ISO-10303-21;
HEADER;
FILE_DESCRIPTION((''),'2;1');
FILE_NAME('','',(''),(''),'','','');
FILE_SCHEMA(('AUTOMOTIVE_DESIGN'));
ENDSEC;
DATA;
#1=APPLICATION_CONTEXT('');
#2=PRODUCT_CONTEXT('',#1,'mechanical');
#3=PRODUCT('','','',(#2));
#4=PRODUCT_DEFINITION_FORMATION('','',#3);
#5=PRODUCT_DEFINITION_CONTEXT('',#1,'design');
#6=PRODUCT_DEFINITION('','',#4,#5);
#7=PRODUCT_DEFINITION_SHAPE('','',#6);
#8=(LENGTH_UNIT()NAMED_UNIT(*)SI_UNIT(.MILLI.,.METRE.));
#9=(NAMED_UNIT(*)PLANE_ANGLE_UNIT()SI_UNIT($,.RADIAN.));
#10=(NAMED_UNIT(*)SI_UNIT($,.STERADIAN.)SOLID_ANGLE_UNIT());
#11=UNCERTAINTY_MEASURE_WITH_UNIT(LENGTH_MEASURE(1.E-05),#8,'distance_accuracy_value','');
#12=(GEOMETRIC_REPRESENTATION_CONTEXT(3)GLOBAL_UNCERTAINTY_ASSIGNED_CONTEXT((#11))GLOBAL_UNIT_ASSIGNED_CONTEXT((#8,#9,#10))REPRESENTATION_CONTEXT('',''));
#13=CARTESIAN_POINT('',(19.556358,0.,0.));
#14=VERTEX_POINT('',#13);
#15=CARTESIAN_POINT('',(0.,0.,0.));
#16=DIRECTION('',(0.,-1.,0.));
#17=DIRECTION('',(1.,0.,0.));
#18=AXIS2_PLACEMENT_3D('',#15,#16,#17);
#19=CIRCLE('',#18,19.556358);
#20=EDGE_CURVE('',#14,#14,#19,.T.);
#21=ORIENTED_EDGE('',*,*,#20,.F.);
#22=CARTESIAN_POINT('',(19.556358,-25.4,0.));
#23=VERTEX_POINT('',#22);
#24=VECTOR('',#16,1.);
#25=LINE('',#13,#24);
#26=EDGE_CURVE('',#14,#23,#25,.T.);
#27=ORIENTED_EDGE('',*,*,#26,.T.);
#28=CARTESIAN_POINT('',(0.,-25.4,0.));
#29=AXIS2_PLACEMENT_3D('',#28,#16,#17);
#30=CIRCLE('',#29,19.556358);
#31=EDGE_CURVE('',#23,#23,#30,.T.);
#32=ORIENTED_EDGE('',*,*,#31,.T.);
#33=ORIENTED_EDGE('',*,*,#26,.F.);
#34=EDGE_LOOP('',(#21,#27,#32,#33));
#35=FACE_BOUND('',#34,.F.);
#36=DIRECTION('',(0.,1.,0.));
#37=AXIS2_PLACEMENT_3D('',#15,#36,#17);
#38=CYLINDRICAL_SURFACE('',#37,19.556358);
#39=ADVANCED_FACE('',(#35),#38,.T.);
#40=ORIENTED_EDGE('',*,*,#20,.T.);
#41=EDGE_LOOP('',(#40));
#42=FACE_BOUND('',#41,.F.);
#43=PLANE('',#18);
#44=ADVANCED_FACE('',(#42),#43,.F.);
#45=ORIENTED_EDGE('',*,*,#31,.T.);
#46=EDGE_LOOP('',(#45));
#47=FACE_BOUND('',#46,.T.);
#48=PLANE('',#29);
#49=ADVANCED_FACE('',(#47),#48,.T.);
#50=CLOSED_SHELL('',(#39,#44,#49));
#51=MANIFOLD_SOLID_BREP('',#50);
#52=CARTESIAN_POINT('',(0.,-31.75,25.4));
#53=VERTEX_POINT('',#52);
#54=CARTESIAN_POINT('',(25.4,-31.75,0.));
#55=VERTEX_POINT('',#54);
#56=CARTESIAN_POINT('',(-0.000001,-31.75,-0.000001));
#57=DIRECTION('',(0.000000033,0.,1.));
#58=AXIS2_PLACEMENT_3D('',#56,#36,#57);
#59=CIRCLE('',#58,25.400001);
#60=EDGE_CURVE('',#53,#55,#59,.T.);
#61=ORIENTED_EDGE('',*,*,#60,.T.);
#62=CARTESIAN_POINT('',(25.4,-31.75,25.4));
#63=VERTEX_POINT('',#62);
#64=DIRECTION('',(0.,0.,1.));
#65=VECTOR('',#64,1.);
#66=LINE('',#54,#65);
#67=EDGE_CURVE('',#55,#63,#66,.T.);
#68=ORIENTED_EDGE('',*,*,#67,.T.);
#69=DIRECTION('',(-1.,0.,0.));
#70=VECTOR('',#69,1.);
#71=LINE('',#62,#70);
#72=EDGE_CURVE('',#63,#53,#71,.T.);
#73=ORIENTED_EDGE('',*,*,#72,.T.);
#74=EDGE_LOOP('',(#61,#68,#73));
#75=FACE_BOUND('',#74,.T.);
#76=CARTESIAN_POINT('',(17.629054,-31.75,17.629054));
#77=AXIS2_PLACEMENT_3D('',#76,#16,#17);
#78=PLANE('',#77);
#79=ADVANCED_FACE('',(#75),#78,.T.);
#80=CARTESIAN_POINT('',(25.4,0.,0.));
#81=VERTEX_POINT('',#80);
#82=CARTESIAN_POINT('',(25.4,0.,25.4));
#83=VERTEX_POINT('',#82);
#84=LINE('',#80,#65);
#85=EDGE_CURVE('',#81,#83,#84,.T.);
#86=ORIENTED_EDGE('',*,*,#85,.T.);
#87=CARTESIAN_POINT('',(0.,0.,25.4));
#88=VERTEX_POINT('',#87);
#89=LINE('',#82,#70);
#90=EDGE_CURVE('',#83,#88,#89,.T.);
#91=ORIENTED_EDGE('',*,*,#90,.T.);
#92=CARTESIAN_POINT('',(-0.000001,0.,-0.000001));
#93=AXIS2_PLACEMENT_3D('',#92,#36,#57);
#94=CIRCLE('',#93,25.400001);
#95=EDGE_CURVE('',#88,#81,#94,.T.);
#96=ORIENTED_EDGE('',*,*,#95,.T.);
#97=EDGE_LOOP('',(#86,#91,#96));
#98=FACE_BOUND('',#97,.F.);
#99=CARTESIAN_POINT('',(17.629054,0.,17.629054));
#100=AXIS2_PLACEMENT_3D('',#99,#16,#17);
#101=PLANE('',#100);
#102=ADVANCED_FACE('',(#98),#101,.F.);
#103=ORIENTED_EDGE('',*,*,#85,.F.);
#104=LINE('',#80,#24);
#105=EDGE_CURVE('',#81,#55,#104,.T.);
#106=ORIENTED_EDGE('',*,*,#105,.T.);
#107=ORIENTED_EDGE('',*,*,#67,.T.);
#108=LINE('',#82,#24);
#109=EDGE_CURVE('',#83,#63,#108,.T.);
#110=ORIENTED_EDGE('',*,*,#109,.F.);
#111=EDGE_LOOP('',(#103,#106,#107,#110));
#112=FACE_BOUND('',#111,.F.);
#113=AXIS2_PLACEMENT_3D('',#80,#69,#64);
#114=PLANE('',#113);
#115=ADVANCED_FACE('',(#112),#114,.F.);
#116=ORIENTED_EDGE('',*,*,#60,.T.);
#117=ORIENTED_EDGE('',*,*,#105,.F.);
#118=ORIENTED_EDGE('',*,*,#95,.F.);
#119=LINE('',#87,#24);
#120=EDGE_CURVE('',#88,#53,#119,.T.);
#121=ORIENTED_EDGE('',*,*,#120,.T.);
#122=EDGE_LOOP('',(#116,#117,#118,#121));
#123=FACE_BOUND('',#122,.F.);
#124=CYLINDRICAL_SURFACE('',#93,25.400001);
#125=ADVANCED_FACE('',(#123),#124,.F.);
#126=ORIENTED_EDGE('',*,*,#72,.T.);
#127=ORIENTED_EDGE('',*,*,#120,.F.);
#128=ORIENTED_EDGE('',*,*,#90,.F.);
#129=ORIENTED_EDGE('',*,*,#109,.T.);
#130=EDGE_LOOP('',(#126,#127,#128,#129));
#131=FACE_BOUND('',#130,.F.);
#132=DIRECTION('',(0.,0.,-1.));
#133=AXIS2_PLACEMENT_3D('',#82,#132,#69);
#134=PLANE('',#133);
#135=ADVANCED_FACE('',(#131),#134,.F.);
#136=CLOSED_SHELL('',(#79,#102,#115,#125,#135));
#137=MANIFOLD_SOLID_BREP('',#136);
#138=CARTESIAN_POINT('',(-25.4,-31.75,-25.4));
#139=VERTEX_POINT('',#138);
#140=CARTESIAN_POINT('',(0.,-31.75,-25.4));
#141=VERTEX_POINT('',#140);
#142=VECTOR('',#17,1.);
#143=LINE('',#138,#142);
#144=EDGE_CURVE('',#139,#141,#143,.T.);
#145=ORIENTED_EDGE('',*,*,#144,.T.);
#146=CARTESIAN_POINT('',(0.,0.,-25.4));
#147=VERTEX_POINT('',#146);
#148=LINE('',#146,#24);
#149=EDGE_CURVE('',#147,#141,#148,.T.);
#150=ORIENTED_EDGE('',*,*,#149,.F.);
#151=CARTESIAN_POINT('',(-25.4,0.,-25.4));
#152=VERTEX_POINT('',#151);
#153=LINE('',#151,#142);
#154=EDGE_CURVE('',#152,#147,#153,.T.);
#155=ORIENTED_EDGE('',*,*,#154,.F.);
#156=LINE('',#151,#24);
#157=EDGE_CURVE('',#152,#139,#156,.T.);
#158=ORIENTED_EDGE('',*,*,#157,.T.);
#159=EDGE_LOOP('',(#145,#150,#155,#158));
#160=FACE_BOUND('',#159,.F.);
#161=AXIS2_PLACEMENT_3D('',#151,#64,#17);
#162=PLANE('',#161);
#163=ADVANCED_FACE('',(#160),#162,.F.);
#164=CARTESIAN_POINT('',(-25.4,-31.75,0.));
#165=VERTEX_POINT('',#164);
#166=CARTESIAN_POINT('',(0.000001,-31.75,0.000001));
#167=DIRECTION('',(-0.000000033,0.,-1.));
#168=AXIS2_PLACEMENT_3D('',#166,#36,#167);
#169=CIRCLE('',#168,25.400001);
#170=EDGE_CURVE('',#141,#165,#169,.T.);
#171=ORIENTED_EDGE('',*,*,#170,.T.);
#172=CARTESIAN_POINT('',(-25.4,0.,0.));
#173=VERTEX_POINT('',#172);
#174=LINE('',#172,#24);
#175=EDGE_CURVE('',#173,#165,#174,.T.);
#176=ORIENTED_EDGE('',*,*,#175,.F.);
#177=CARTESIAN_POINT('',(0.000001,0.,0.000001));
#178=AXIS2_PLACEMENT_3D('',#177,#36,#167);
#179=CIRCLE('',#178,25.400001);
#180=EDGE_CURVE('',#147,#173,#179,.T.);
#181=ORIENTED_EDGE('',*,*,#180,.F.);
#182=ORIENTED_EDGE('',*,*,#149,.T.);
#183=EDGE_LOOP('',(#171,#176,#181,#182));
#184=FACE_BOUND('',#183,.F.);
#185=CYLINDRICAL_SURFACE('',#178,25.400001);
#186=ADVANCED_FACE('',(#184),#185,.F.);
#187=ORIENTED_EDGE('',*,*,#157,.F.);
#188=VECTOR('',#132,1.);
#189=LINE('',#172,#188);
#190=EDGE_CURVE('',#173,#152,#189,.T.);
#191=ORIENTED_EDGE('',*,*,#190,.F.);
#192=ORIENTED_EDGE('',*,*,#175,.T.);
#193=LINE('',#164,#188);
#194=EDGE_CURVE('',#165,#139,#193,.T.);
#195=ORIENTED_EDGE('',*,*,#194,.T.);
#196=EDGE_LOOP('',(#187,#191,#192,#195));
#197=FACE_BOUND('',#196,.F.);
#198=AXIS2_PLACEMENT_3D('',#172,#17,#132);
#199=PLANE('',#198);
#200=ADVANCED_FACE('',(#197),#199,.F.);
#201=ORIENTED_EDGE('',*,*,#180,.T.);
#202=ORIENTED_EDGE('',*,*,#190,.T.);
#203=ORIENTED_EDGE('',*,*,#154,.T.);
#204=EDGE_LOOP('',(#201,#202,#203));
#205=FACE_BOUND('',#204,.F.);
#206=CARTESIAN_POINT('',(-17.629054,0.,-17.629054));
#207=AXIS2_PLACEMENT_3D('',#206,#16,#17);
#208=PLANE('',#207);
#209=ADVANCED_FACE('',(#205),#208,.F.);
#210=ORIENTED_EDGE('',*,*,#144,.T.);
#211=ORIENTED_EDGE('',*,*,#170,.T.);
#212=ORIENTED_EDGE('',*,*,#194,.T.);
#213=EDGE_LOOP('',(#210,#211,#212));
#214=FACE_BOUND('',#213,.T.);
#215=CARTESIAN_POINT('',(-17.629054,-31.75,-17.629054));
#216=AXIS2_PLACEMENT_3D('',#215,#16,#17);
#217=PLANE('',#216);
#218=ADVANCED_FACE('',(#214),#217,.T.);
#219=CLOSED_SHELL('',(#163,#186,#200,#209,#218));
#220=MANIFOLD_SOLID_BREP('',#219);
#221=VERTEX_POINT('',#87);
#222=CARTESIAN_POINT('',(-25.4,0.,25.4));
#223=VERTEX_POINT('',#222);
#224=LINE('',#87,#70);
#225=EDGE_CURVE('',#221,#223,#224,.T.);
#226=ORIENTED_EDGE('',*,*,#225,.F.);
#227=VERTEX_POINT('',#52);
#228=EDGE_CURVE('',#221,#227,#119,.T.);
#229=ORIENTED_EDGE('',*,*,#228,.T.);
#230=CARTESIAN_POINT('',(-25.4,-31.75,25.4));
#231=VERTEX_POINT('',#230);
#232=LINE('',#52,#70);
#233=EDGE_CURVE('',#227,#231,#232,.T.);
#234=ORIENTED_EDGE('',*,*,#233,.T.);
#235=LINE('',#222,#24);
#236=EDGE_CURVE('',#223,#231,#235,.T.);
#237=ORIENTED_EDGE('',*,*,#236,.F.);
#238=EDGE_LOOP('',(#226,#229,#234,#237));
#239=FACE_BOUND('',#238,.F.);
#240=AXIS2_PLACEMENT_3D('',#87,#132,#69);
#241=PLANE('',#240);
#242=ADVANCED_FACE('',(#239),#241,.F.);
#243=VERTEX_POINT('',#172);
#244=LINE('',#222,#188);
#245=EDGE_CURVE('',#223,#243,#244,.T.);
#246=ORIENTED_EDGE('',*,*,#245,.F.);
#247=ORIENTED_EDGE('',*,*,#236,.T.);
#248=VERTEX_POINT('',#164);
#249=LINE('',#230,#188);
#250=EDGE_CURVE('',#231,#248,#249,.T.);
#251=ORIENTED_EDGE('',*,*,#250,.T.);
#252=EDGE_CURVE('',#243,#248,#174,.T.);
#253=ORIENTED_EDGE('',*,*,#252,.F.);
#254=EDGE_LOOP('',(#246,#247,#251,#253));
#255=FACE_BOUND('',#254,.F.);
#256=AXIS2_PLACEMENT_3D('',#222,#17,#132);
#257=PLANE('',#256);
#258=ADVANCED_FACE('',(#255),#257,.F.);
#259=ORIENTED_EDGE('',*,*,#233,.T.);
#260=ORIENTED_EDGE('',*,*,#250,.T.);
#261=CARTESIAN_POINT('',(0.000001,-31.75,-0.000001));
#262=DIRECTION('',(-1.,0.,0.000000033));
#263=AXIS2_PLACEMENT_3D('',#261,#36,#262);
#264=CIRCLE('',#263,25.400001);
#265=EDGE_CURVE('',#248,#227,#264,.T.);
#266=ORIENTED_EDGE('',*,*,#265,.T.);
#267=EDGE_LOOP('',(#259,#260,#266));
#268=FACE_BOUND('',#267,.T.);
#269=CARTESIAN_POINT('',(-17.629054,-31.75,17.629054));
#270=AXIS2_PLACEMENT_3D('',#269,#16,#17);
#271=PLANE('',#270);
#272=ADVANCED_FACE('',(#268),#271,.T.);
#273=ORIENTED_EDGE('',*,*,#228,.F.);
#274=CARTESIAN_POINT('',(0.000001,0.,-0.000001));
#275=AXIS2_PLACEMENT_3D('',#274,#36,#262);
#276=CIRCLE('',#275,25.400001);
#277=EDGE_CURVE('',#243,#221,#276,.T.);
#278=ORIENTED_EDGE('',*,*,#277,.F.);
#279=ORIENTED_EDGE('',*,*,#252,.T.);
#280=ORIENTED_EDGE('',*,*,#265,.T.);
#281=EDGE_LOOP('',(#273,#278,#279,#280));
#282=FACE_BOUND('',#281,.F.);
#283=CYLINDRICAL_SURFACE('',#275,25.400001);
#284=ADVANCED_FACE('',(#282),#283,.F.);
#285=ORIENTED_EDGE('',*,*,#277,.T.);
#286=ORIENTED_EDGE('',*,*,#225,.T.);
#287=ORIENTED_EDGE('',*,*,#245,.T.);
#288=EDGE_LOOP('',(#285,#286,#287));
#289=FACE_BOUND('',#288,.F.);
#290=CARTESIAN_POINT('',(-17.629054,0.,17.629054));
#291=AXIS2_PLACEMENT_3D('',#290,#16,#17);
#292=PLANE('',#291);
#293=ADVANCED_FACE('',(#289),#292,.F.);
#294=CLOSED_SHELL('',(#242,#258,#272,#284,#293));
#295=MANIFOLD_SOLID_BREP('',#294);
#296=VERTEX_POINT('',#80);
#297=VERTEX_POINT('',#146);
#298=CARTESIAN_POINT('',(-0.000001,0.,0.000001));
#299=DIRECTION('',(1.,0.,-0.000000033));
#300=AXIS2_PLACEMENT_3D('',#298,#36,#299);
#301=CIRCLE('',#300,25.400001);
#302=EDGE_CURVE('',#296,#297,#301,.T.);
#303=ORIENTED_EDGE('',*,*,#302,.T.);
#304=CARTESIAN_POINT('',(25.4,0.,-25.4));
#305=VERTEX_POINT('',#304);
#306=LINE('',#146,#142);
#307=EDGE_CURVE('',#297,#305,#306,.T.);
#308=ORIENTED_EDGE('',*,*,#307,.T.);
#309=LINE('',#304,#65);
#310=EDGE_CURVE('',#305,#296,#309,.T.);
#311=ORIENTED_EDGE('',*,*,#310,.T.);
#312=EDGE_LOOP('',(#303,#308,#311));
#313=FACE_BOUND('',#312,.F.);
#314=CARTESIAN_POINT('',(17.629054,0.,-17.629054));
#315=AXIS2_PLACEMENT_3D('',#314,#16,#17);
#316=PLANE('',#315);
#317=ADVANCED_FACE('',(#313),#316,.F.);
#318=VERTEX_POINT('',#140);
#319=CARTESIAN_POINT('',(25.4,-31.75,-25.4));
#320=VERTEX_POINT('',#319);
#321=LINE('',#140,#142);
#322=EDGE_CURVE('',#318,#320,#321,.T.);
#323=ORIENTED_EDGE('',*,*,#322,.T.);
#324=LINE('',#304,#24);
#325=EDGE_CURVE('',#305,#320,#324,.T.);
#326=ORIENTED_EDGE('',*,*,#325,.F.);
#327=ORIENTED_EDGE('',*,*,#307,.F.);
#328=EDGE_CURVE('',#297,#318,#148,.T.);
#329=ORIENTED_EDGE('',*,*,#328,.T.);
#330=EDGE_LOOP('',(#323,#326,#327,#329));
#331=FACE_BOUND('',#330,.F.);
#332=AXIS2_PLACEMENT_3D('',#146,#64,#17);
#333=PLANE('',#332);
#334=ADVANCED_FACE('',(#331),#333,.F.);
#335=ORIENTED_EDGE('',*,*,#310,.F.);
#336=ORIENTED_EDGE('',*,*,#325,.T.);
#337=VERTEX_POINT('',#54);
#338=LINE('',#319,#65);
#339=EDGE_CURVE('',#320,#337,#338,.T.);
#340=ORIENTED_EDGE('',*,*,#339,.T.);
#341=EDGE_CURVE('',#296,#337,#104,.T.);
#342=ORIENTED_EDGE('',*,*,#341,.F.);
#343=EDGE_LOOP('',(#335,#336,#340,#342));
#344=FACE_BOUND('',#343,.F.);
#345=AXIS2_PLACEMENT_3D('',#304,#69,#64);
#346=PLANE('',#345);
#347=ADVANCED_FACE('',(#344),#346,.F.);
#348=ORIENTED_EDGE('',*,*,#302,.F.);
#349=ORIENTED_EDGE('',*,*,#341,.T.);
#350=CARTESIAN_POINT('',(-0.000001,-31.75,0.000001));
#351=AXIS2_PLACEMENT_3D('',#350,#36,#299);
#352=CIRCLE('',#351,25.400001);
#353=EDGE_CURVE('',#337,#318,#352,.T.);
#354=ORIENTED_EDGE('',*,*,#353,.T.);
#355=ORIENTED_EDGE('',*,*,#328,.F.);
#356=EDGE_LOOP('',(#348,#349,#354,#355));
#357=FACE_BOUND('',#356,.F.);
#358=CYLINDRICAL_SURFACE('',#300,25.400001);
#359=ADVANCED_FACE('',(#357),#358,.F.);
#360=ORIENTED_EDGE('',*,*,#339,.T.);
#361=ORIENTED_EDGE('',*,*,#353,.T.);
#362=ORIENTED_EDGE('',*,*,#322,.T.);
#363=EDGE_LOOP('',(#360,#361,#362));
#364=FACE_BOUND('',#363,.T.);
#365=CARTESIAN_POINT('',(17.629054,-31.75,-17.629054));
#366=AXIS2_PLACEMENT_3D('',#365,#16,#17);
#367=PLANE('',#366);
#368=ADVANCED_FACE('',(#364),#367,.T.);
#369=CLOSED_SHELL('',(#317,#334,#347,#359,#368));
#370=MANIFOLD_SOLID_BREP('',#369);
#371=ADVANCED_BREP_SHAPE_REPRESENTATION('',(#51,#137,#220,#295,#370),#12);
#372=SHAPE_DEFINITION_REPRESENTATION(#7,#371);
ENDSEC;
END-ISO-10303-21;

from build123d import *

# Parameters (mm, degrees)
F1_DEPTH = 31.75
F2_R     = 12.7
F3_DEPTH = 25.4
F4_R     = 19.556358
F5_DEPTH = 25.4


with BuildPart() as f1:
    # F0 (on Front) → F1 (new body)
    with BuildSketch(Plane.XZ):
        with BuildLine():
            Line((0, 25.4), (-25.4, 25.4))
            Line((-25.4, 25.4), (-25.4, 0))
            ThreePointArc((-25.4, 0), (-17.960512, 17.960512), (0, 25.4))
        make_face()
        with BuildLine():
            Line((25.4, 25.4), (0, 25.4))
            ThreePointArc((0, 25.4), (17.960512, 17.960512), (25.4, 0))
            Line((25.4, 0), (25.4, 25.4))
        make_face()
        with BuildLine():
            Line((25.4, -25.4), (25.4, 0))
            ThreePointArc((25.4, 0), (17.960512, -17.960512), (0, -25.4))
            Line((0, -25.4), (25.4, -25.4))
        make_face()
        with BuildLine():
            ThreePointArc((0, -25.4), (-17.960512, -17.960512), (-25.4, 0))
            Line((-25.4, 0), (-25.4, -25.4))
            Line((-25.4, -25.4), (0, -25.4))
        make_face()
    extrude(amount=F1_DEPTH)


with BuildPart() as f3:
    # F2 (on Front) → F3 (new body)
    with BuildSketch(Plane.XZ):
        Circle(F2_R)
    extrude(amount=F3_DEPTH)

    # F4 (on Front) → F5 (join)
    with BuildSketch(Plane.XZ):
        Circle(F4_R)
    extrude(amount=F5_DEPTH)


solid = Compound([f1.part, f3.part])
